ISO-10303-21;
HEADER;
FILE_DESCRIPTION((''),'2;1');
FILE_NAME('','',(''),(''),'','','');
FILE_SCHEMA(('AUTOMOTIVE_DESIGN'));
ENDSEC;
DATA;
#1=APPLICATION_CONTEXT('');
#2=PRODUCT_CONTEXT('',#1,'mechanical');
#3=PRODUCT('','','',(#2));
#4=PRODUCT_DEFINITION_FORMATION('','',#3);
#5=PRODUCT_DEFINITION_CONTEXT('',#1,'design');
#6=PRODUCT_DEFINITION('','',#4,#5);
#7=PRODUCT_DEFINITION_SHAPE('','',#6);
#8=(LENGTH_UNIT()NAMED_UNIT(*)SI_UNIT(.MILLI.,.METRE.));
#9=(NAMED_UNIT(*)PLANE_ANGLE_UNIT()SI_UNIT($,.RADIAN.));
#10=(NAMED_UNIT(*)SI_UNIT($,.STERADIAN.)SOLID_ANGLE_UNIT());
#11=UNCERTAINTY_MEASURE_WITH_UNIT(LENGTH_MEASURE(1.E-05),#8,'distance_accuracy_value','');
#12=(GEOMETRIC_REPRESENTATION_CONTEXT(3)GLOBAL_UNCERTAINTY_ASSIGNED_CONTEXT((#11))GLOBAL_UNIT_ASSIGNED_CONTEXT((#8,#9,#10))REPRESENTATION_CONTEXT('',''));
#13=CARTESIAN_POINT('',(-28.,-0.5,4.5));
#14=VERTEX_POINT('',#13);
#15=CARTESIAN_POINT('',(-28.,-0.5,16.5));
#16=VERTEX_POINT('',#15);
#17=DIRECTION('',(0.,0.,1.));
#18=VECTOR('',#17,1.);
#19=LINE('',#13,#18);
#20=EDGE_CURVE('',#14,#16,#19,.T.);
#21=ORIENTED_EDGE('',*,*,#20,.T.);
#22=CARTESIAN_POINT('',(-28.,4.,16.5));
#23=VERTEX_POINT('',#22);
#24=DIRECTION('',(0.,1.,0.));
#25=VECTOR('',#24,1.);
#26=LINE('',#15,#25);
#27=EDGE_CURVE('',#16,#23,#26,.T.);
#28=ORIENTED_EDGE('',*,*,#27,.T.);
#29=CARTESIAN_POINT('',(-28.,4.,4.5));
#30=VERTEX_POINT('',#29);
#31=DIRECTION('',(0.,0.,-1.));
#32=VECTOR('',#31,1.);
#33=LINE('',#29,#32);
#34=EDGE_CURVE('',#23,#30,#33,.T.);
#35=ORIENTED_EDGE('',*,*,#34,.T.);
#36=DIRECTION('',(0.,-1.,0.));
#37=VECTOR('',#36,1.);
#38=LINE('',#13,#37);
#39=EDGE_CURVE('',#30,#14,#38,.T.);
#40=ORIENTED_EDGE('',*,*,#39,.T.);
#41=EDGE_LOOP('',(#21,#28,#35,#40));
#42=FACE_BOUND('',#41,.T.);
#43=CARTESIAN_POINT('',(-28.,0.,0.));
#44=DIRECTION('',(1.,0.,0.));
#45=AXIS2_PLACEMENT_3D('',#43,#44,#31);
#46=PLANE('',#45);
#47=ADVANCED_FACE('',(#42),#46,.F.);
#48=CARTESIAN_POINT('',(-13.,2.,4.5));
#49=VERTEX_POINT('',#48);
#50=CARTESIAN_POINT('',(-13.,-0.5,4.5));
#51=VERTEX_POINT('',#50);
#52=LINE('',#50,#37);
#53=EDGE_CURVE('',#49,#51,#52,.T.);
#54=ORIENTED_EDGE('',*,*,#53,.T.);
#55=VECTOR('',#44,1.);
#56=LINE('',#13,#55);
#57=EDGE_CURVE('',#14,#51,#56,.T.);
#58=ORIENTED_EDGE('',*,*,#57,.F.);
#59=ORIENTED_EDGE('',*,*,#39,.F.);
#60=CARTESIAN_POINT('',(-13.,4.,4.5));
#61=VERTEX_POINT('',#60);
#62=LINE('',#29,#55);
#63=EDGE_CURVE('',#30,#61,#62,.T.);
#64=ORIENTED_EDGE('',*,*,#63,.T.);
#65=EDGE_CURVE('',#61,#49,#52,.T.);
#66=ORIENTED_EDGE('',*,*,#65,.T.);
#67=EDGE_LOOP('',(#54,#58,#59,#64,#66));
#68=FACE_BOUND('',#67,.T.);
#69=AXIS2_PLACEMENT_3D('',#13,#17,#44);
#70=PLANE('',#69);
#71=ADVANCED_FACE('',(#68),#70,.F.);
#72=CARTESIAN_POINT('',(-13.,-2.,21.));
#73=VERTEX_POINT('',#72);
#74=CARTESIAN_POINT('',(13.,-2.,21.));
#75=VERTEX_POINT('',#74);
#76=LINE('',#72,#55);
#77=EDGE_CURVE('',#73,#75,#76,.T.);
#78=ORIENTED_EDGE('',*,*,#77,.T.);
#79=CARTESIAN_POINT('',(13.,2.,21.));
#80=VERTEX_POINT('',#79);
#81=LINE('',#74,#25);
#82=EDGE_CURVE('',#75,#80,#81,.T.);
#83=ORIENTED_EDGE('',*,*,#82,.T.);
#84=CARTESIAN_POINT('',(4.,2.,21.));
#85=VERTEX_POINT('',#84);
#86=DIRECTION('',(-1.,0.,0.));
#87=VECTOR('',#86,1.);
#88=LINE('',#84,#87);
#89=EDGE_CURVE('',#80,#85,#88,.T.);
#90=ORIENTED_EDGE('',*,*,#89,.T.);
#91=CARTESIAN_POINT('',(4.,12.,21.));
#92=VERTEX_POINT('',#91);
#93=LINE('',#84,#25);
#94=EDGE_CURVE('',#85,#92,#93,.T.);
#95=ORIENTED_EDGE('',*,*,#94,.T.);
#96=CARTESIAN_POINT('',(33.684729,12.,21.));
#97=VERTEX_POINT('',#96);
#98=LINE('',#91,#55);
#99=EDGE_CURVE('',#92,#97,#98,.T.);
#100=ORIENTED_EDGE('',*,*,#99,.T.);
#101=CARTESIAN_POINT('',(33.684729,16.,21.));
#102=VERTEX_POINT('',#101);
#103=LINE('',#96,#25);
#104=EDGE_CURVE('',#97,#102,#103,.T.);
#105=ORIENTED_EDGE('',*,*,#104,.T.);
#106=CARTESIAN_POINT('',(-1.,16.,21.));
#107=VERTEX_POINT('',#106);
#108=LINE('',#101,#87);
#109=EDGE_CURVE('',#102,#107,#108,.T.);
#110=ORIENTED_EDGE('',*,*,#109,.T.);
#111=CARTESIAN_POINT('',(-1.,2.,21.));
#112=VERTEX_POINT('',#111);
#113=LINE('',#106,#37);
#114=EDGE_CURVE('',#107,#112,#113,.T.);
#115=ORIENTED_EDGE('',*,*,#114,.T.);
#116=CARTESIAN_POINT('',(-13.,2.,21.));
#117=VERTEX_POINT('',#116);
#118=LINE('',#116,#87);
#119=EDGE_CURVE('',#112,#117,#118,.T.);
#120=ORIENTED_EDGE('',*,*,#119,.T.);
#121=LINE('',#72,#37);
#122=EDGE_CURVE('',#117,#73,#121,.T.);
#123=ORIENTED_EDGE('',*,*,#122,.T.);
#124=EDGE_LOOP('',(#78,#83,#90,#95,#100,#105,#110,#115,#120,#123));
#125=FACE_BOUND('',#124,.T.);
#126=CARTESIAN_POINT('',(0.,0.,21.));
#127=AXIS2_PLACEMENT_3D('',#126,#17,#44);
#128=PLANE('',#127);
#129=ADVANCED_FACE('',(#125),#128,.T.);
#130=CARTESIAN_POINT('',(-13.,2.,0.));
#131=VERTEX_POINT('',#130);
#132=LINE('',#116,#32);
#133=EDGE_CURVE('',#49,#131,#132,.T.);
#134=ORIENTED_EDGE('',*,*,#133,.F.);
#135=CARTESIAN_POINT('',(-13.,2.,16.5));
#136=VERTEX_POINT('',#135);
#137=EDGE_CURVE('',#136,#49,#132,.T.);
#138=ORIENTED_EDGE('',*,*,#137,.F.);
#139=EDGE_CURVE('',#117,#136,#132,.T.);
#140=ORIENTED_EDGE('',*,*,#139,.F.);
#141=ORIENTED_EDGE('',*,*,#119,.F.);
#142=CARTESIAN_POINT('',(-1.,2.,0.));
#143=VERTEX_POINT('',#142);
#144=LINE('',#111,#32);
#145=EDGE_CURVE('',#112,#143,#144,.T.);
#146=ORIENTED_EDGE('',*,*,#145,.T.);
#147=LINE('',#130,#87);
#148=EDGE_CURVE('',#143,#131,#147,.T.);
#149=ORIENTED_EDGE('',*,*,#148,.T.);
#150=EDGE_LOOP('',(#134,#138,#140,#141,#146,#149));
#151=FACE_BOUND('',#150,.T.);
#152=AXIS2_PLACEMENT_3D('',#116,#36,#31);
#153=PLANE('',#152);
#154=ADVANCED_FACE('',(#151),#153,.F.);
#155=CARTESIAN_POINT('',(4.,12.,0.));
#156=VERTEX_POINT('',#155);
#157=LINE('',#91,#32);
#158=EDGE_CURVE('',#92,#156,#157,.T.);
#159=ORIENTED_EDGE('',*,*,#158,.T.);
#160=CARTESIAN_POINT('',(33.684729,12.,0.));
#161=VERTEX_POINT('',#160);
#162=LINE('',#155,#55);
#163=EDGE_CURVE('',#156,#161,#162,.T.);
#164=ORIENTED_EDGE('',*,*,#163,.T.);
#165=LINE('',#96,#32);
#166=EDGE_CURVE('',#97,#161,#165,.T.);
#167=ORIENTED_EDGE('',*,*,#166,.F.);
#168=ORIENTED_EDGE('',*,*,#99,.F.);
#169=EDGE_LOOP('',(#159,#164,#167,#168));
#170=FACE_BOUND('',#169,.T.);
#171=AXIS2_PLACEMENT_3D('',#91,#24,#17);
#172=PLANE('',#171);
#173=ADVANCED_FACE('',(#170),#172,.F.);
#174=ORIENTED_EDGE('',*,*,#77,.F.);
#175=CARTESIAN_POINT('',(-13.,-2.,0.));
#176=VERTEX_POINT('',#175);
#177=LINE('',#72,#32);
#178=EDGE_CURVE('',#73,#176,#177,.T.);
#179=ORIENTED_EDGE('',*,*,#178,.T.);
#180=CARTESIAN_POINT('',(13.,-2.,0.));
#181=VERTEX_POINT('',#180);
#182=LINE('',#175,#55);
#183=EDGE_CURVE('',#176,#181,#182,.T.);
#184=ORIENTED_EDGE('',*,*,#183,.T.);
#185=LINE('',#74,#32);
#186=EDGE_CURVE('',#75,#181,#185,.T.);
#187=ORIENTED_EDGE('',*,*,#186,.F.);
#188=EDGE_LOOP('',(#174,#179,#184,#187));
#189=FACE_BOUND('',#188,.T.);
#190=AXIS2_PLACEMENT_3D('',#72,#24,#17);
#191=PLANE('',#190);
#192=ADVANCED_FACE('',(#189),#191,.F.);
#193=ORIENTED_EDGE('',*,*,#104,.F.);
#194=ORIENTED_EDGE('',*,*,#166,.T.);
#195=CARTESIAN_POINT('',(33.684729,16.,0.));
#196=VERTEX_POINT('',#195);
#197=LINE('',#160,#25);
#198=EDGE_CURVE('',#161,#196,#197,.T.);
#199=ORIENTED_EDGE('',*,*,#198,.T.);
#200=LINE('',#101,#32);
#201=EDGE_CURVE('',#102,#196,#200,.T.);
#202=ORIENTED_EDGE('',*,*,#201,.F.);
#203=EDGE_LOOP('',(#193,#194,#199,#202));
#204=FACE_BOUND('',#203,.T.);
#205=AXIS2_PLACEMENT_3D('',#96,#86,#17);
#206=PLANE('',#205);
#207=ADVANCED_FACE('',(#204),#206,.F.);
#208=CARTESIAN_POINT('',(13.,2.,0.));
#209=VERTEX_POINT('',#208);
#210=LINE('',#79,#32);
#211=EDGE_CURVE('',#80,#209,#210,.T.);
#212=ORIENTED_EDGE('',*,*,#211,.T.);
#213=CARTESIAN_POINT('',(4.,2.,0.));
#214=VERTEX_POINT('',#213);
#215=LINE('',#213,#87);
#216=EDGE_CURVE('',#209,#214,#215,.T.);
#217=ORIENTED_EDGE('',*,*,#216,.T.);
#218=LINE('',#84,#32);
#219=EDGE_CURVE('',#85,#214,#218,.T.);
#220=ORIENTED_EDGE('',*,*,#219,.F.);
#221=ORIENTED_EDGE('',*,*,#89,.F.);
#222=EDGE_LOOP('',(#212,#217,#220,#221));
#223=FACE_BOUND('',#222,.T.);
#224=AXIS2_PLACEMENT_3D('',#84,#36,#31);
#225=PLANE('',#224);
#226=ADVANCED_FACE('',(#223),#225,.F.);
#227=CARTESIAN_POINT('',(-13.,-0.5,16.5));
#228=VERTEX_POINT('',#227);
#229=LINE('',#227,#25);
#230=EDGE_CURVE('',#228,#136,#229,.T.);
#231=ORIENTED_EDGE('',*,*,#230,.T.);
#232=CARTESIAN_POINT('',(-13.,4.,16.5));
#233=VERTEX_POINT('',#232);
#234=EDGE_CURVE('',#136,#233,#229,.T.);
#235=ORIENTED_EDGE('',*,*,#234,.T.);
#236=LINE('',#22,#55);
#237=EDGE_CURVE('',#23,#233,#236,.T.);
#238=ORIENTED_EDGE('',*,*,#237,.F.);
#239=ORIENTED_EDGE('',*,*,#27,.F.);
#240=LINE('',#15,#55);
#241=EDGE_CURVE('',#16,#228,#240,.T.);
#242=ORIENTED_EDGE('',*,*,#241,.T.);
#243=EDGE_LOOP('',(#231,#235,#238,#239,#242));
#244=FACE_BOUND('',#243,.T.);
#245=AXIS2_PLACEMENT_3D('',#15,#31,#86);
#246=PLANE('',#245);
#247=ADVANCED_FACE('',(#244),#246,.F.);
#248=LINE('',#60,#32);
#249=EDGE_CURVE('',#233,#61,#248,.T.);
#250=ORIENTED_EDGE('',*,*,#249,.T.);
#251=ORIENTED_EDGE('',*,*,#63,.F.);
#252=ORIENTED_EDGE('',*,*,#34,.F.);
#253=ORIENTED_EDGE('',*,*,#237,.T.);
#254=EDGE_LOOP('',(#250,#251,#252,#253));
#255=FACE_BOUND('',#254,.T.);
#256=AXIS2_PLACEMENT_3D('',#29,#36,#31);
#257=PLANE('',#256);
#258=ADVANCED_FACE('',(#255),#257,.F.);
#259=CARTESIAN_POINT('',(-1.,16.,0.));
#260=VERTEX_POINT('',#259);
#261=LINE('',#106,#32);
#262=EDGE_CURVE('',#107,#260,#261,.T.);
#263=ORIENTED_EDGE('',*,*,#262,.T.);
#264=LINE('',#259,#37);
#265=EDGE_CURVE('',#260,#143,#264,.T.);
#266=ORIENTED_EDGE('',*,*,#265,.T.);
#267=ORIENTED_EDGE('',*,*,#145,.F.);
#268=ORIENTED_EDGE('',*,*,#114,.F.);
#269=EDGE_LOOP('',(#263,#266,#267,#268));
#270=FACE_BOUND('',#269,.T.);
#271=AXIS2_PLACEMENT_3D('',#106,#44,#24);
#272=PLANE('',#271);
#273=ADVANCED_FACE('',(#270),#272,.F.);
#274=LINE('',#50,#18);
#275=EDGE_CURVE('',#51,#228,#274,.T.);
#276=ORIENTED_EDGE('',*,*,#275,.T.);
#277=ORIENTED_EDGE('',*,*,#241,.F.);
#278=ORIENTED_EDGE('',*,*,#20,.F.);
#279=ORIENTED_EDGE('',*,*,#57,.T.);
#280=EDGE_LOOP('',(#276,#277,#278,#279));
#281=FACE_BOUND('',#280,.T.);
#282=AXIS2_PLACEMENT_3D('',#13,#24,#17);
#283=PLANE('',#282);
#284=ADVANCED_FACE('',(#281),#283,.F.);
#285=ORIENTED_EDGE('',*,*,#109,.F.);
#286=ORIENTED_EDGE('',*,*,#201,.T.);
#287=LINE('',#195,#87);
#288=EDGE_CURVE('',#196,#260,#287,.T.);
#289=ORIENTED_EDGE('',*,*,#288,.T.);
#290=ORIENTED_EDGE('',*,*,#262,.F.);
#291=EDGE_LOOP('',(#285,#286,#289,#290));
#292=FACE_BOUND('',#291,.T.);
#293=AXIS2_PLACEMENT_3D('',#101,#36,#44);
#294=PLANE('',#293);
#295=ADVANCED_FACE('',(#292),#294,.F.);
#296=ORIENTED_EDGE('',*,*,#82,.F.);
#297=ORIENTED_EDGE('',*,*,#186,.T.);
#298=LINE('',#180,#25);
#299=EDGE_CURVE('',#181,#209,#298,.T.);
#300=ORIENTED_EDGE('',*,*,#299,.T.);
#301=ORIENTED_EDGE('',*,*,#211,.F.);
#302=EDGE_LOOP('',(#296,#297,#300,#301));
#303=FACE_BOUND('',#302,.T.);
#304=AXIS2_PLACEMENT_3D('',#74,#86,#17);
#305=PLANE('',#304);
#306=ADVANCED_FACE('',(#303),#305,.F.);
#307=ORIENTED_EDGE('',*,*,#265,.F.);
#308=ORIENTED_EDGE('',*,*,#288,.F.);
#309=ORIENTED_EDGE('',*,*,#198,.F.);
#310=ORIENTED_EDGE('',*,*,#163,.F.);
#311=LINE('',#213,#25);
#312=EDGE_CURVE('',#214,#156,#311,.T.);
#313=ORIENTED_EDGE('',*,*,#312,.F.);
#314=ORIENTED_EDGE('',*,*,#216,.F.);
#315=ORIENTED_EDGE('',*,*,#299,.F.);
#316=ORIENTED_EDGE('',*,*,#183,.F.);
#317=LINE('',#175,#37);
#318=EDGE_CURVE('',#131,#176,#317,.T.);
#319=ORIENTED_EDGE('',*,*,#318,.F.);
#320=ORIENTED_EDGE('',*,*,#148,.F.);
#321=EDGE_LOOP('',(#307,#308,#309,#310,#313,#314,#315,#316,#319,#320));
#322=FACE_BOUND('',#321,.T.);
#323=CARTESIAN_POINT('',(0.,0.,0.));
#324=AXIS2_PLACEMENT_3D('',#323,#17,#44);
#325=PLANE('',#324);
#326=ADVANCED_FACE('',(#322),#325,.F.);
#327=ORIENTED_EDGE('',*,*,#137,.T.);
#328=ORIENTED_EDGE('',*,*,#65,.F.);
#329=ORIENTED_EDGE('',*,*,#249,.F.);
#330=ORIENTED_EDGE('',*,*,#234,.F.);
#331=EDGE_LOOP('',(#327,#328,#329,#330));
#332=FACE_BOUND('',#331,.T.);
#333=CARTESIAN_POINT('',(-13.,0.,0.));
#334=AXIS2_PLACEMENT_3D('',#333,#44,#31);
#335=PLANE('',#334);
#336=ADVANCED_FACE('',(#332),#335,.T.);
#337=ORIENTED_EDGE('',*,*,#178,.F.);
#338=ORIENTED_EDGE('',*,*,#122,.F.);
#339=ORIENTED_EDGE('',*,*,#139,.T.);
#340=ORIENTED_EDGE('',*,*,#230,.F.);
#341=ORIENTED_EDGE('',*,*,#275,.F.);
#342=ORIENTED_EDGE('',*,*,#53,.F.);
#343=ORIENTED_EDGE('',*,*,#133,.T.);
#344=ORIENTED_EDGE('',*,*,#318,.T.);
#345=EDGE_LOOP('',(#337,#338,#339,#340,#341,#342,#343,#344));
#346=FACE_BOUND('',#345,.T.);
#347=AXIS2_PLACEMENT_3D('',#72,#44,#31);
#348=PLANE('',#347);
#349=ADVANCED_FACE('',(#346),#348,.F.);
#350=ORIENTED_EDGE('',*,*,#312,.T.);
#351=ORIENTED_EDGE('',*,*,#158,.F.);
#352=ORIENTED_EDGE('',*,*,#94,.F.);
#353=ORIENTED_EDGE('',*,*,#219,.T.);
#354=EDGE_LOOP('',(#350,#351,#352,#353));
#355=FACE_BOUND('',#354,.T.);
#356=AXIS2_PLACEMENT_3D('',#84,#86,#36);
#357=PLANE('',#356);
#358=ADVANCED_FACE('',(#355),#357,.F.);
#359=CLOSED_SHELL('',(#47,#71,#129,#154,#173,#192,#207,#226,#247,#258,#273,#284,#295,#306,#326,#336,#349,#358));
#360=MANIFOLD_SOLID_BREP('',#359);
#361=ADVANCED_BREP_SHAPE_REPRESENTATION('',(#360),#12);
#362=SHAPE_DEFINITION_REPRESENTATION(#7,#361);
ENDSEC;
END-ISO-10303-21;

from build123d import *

# Parameters (mm, degrees)
BOSS_EXTRUDE2_DEPTH = 21
SKETCH2_W           = 12
SKETCH2_H           = 4.5
BOSS_EXTRUDE3_DEPTH = 15


with BuildPart() as part:
    # Sketch1 → Boss-Extrude2 (new body)
    with BuildSketch(Plane.XY):
        Polygon((4, 2), (4, 12), (33.684729064, 12), (33.684729064, 16), (-1, 16), (-1, 2), (-13, 2), (-13, -2), (13, -2), (13, 2), align=None)
    extrude(amount=BOSS_EXTRUDE2_DEPTH)

    # Sketch2 → Boss-Extrude3 (add)
    with BuildSketch(Plane.ZY.offset(13)):
        with Locations((10.5, 1.75)):
            Rectangle(SKETCH2_W, SKETCH2_H)
    extrude(amount=BOSS_EXTRUDE3_DEPTH)


solid = part.part
